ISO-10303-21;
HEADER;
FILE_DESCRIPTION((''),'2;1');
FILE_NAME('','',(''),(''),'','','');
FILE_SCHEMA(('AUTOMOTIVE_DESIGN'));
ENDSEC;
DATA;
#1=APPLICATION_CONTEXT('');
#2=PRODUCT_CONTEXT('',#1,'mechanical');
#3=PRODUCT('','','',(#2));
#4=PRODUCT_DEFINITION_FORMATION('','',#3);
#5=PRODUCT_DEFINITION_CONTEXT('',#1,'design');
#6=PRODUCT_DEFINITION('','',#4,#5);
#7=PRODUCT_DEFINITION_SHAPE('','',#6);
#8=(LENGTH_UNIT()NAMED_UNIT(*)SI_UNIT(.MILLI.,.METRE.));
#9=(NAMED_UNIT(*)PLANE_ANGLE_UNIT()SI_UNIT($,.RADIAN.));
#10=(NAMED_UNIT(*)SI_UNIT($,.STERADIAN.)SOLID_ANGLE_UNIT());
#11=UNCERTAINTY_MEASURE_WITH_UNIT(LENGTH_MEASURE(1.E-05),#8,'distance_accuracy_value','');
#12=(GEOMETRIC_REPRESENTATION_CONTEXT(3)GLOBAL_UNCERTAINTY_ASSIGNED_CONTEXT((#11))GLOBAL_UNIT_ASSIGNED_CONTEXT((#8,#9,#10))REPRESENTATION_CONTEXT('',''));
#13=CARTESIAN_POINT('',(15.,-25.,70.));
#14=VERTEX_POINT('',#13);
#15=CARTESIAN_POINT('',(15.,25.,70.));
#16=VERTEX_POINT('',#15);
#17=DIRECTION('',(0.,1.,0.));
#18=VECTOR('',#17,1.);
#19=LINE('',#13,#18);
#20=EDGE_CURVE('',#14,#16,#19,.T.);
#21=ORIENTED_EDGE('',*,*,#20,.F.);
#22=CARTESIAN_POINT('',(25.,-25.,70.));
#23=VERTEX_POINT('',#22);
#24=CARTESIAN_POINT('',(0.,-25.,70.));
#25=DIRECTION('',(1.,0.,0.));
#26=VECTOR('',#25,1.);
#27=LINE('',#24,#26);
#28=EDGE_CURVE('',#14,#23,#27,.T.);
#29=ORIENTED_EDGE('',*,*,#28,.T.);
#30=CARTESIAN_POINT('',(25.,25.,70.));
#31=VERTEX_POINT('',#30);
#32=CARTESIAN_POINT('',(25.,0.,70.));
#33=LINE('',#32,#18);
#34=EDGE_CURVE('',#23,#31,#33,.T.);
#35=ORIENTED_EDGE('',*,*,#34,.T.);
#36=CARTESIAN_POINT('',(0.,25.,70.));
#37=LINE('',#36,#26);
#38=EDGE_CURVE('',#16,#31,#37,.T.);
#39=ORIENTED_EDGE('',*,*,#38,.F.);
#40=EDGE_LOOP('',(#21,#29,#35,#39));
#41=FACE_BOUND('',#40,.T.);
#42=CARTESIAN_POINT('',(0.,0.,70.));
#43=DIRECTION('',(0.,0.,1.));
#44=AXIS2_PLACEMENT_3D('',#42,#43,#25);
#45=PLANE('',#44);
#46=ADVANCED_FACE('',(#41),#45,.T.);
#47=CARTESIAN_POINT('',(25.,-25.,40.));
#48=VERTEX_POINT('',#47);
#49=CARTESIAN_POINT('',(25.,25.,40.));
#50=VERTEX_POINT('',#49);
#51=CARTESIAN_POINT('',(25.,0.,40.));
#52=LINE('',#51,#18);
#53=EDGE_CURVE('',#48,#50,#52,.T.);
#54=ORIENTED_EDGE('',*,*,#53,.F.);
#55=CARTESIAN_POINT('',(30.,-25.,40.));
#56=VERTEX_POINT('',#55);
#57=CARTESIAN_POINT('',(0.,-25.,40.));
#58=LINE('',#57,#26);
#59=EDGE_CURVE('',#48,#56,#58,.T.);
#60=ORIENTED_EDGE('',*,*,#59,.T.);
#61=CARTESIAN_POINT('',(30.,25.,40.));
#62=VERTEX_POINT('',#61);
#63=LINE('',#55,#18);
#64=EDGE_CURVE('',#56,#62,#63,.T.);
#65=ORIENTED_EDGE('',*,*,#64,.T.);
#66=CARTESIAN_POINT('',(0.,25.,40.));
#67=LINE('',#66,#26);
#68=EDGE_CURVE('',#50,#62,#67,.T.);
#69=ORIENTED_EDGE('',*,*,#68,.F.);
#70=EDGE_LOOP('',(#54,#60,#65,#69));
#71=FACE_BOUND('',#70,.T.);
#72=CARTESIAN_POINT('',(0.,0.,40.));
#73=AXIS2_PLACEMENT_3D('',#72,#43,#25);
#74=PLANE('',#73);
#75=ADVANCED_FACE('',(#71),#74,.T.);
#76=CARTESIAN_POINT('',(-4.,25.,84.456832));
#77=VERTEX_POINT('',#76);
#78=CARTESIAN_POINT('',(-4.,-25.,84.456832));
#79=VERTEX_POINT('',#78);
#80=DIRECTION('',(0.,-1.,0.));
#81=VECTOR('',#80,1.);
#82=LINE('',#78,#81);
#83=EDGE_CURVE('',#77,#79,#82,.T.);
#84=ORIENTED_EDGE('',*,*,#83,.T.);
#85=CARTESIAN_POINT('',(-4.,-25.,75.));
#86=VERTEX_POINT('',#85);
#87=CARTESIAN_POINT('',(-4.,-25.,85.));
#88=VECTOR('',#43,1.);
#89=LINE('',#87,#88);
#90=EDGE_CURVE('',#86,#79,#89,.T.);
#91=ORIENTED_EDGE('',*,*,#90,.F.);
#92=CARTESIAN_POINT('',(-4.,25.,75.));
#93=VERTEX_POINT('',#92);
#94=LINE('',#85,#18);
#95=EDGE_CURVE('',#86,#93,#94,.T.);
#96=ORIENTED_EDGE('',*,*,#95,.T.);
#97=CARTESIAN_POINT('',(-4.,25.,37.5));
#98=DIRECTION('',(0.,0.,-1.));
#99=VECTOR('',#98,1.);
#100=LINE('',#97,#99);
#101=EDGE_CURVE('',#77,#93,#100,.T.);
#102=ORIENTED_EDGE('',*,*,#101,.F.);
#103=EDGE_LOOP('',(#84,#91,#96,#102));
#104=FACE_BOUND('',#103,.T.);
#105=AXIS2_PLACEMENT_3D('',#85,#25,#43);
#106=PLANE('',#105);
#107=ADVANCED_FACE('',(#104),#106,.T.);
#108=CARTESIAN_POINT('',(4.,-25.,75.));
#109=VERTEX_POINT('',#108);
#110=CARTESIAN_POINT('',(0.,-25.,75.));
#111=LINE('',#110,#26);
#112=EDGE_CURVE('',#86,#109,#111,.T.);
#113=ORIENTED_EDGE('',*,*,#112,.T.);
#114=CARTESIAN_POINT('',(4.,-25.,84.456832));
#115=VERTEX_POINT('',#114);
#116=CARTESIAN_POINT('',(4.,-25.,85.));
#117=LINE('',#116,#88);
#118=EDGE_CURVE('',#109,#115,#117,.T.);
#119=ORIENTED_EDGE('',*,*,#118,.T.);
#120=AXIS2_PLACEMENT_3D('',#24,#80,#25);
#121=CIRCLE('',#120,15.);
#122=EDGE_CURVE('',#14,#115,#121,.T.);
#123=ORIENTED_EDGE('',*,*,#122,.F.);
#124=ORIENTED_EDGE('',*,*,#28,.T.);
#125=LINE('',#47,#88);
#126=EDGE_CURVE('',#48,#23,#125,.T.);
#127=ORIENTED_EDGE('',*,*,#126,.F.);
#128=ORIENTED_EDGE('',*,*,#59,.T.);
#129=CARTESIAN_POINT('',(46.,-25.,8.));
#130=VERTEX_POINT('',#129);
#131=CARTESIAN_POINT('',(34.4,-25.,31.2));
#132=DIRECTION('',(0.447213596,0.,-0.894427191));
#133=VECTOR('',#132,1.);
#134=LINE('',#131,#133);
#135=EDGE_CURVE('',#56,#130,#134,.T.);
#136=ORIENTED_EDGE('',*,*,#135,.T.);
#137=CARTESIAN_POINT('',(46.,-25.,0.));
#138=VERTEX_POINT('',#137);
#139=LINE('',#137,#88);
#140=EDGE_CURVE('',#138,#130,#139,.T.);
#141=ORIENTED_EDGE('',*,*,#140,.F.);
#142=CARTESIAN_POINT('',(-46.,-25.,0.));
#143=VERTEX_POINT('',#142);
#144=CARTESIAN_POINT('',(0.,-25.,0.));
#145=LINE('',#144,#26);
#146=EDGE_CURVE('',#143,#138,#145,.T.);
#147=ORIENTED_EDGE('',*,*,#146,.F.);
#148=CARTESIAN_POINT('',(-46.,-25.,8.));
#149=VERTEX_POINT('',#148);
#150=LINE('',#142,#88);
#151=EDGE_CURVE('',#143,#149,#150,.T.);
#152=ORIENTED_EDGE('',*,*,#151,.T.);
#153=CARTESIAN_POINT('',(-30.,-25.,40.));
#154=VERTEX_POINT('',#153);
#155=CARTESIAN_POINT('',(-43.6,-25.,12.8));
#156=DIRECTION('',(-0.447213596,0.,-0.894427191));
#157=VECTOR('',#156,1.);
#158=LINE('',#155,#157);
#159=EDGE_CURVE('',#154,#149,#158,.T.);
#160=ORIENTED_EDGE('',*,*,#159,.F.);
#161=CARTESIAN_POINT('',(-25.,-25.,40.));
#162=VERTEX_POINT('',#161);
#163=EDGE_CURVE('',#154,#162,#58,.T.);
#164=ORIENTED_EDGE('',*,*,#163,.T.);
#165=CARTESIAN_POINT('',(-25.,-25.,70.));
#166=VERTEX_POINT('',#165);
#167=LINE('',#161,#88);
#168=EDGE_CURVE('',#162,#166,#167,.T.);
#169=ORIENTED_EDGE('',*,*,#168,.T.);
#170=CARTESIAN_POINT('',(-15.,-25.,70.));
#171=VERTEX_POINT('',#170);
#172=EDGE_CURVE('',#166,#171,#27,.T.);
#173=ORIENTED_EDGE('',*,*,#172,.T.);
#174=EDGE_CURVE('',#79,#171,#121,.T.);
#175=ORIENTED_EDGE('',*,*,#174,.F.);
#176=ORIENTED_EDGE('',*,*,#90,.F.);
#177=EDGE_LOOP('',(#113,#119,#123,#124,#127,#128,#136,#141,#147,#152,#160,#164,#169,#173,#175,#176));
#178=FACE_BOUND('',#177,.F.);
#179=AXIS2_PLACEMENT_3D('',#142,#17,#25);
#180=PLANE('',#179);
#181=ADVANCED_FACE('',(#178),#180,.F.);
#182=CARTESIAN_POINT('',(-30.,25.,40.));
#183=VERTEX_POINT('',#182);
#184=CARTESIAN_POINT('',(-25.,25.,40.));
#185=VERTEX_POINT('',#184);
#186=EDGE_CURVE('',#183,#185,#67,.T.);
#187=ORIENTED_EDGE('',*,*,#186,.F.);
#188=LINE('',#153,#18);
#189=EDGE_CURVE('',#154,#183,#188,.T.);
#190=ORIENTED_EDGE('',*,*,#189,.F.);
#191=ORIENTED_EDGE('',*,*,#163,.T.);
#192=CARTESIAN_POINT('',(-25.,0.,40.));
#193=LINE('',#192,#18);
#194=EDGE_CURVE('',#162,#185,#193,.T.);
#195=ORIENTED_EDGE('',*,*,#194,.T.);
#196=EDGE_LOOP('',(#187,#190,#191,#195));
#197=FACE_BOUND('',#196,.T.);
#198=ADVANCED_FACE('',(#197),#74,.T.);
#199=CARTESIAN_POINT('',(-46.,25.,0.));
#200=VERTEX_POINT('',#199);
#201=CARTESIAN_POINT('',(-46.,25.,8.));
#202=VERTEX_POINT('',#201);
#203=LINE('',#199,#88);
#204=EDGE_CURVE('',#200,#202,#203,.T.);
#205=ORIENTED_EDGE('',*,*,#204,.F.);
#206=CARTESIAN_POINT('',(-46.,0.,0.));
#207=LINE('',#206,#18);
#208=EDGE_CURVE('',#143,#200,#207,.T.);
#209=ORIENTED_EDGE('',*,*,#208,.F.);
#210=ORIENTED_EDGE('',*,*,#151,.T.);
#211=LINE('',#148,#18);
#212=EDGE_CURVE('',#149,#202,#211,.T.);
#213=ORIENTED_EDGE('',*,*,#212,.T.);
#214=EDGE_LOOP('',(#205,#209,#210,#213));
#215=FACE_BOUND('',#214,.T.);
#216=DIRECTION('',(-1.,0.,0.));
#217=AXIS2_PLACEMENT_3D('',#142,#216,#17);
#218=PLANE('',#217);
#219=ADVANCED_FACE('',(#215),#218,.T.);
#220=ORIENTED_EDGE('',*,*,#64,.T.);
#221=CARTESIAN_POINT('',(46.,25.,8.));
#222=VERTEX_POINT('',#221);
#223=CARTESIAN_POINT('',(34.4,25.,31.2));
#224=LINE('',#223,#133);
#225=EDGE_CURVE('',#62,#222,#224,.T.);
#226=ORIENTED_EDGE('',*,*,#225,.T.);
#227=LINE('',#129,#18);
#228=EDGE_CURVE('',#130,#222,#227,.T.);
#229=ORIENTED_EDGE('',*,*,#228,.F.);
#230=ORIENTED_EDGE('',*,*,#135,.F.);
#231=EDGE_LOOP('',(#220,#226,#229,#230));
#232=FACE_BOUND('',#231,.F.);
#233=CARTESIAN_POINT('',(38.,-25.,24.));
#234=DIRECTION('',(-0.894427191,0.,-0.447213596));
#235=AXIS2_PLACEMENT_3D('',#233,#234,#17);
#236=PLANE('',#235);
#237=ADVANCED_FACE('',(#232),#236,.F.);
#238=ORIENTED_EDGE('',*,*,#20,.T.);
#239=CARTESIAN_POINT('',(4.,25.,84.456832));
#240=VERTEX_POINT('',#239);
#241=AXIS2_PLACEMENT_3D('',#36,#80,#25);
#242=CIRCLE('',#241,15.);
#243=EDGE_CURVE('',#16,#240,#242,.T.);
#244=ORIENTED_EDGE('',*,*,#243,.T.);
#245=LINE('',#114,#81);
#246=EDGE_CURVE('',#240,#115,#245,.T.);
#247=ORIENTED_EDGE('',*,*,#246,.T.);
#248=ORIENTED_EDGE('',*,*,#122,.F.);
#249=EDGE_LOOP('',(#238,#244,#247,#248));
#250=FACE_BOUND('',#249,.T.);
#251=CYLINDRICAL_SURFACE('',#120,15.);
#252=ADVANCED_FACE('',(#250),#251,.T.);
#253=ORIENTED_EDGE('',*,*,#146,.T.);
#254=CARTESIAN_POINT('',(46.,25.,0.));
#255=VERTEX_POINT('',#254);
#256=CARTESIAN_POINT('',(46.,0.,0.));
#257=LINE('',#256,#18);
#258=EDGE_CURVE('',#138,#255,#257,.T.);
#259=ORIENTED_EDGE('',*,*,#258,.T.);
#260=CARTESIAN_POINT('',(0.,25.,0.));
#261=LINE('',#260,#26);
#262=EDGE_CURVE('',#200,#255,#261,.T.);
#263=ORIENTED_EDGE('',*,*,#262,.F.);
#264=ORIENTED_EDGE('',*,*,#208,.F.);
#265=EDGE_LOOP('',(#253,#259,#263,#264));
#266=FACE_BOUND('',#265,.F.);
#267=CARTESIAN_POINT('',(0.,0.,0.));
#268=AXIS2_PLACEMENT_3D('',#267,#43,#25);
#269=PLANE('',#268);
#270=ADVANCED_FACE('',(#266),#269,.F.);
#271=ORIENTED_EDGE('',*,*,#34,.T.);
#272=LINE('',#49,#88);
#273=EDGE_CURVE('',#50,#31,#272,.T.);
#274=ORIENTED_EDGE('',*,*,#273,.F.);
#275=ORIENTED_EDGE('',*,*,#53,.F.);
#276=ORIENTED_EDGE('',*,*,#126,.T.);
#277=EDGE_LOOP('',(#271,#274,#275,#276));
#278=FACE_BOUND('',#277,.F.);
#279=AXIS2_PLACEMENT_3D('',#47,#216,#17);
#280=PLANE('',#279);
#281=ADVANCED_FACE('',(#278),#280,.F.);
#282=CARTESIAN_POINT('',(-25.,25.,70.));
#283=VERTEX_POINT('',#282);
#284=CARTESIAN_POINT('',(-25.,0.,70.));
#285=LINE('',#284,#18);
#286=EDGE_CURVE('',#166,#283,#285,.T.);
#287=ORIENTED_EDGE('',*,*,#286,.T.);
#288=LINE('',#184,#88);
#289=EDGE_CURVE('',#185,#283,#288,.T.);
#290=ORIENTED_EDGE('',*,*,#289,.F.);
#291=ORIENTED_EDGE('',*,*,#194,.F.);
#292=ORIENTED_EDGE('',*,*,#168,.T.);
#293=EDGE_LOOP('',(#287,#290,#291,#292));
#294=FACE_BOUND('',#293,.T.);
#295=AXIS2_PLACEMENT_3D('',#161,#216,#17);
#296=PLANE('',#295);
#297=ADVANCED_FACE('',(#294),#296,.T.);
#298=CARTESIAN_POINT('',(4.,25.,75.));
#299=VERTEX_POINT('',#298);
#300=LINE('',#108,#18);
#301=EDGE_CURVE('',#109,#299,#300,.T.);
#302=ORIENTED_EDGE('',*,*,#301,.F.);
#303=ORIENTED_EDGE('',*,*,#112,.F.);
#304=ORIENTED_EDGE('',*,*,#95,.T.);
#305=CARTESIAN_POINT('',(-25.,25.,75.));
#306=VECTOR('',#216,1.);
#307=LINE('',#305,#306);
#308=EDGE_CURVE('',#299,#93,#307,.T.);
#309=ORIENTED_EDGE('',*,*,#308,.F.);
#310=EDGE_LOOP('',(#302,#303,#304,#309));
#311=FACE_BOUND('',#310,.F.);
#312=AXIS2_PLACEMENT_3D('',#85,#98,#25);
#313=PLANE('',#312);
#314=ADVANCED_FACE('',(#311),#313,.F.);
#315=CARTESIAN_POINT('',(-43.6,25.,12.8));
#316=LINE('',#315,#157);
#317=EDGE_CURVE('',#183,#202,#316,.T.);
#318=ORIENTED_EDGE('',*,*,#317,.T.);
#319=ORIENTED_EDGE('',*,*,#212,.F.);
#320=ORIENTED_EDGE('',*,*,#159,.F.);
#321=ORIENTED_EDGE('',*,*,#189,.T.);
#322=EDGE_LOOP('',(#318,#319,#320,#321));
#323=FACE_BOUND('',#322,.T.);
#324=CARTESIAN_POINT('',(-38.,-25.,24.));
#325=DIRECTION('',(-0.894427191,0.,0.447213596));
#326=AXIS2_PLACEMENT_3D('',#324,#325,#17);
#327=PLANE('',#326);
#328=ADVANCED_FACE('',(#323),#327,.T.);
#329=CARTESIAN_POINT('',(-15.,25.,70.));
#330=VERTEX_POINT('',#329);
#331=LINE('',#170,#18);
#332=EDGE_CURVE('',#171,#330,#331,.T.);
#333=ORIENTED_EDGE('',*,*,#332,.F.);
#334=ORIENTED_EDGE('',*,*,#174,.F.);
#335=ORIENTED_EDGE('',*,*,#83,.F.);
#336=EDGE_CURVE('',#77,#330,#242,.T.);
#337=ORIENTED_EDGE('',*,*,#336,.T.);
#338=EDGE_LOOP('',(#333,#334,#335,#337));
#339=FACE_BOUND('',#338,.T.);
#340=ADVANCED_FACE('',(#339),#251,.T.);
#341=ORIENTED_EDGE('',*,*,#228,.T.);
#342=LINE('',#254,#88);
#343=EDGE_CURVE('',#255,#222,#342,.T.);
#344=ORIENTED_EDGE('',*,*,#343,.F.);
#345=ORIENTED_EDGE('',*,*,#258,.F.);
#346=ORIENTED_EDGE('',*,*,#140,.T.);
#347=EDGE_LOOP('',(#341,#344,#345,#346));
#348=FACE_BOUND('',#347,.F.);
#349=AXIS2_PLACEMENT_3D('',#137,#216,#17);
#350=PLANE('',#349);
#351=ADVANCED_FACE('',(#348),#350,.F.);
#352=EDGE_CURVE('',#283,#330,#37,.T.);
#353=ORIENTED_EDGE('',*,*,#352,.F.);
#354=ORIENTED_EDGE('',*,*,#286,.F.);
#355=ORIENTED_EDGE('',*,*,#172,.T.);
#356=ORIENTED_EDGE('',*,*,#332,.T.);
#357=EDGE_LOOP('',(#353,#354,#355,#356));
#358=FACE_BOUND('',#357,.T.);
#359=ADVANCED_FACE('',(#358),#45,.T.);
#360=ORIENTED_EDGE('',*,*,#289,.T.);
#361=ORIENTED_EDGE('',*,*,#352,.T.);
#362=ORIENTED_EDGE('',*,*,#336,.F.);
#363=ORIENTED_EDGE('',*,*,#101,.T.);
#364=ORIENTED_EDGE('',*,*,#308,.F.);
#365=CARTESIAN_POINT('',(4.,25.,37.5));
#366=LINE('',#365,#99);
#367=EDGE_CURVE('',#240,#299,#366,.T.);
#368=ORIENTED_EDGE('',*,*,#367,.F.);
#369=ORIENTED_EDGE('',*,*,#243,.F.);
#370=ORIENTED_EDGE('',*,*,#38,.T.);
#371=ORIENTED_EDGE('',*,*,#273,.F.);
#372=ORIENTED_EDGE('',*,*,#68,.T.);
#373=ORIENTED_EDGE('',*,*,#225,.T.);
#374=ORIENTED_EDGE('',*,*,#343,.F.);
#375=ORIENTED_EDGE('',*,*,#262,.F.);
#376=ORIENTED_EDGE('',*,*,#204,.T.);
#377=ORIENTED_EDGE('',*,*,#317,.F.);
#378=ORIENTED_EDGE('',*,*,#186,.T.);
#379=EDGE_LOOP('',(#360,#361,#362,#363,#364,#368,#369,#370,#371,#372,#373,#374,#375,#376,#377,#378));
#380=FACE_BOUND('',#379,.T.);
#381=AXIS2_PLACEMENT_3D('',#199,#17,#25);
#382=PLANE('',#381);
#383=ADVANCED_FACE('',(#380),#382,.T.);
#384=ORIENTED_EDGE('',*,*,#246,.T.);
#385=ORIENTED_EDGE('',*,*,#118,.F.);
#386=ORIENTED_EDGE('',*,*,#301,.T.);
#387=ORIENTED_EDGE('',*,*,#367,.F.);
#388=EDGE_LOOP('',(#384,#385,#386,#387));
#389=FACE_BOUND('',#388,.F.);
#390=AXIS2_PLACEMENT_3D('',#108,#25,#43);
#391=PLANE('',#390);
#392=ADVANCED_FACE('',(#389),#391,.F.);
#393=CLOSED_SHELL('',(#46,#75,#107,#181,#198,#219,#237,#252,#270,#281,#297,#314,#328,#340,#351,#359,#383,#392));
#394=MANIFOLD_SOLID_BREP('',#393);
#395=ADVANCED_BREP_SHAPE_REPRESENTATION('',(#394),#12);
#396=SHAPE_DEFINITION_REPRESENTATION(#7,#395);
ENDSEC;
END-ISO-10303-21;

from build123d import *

# Parameters (mm, degrees)
F0_W      = 92
F0_H      = 50
F1_DEPTH  = 40
F2_SIZE2  = 32
F2_SIZE   = 16
F3_SIZE2  = 32
F3_SIZE   = 16
F5_W      = 50
F5_H      = 50
F6_DEPTH  = 30
F8_DEPTH  = 50
F9_W      = 8
F9_H      = 20
F10_DEPTH = 50.001


with BuildPart() as f1:
    # F0 (on Top) → F1 (new body)
    with BuildSketch(Plane.XY):
        Rectangle(F0_W, F0_H)
    extrude(amount=F1_DEPTH)

    # F2
    f2_edges = [f1.edges().sort_by_distance(p)[0] for p in [
        (46, 0, 40),
    ]]
    f2_side = f1.faces().sort_by_distance((0, 0, 40))[0]
    chamfer(f2_edges, length=F2_SIZE, length2=F2_SIZE2, reference=f2_side)

    # F3
    f3_edges = [f1.edges().sort_by_distance(p)[0] for p in [
        (-46, 0, 40),
    ]]
    f3_side = f1.faces().sort_by_distance((-8, 0, 40))[0]
    chamfer(f3_edges, length=F3_SIZE, length2=F3_SIZE2, reference=f3_side)

    # F5 (on face) → F6 (join)
    with BuildSketch(Plane.XY.offset(40)):
        Rectangle(F5_W, F5_H)
    extrude(amount=F6_DEPTH)

    # F7 (on face) → F8 (join)
    with BuildSketch(Plane.XZ.offset(25)):
        with BuildLine():
            Line((-15, 70), (15, 70))
            ThreePointArc((15, 70), (0, 85), (-15, 70))
        make_face()
    extrude(amount=-F8_DEPTH)

    # F9 (on face) → F10 (cut, through all)
    with BuildSketch(Plane.XZ.offset(25)):
        with Locations((0, 85)):
            Rectangle(F9_W, F9_H)
    extrude(amount=-F10_DEPTH, mode=Mode.SUBTRACT)


solid = f1.part
